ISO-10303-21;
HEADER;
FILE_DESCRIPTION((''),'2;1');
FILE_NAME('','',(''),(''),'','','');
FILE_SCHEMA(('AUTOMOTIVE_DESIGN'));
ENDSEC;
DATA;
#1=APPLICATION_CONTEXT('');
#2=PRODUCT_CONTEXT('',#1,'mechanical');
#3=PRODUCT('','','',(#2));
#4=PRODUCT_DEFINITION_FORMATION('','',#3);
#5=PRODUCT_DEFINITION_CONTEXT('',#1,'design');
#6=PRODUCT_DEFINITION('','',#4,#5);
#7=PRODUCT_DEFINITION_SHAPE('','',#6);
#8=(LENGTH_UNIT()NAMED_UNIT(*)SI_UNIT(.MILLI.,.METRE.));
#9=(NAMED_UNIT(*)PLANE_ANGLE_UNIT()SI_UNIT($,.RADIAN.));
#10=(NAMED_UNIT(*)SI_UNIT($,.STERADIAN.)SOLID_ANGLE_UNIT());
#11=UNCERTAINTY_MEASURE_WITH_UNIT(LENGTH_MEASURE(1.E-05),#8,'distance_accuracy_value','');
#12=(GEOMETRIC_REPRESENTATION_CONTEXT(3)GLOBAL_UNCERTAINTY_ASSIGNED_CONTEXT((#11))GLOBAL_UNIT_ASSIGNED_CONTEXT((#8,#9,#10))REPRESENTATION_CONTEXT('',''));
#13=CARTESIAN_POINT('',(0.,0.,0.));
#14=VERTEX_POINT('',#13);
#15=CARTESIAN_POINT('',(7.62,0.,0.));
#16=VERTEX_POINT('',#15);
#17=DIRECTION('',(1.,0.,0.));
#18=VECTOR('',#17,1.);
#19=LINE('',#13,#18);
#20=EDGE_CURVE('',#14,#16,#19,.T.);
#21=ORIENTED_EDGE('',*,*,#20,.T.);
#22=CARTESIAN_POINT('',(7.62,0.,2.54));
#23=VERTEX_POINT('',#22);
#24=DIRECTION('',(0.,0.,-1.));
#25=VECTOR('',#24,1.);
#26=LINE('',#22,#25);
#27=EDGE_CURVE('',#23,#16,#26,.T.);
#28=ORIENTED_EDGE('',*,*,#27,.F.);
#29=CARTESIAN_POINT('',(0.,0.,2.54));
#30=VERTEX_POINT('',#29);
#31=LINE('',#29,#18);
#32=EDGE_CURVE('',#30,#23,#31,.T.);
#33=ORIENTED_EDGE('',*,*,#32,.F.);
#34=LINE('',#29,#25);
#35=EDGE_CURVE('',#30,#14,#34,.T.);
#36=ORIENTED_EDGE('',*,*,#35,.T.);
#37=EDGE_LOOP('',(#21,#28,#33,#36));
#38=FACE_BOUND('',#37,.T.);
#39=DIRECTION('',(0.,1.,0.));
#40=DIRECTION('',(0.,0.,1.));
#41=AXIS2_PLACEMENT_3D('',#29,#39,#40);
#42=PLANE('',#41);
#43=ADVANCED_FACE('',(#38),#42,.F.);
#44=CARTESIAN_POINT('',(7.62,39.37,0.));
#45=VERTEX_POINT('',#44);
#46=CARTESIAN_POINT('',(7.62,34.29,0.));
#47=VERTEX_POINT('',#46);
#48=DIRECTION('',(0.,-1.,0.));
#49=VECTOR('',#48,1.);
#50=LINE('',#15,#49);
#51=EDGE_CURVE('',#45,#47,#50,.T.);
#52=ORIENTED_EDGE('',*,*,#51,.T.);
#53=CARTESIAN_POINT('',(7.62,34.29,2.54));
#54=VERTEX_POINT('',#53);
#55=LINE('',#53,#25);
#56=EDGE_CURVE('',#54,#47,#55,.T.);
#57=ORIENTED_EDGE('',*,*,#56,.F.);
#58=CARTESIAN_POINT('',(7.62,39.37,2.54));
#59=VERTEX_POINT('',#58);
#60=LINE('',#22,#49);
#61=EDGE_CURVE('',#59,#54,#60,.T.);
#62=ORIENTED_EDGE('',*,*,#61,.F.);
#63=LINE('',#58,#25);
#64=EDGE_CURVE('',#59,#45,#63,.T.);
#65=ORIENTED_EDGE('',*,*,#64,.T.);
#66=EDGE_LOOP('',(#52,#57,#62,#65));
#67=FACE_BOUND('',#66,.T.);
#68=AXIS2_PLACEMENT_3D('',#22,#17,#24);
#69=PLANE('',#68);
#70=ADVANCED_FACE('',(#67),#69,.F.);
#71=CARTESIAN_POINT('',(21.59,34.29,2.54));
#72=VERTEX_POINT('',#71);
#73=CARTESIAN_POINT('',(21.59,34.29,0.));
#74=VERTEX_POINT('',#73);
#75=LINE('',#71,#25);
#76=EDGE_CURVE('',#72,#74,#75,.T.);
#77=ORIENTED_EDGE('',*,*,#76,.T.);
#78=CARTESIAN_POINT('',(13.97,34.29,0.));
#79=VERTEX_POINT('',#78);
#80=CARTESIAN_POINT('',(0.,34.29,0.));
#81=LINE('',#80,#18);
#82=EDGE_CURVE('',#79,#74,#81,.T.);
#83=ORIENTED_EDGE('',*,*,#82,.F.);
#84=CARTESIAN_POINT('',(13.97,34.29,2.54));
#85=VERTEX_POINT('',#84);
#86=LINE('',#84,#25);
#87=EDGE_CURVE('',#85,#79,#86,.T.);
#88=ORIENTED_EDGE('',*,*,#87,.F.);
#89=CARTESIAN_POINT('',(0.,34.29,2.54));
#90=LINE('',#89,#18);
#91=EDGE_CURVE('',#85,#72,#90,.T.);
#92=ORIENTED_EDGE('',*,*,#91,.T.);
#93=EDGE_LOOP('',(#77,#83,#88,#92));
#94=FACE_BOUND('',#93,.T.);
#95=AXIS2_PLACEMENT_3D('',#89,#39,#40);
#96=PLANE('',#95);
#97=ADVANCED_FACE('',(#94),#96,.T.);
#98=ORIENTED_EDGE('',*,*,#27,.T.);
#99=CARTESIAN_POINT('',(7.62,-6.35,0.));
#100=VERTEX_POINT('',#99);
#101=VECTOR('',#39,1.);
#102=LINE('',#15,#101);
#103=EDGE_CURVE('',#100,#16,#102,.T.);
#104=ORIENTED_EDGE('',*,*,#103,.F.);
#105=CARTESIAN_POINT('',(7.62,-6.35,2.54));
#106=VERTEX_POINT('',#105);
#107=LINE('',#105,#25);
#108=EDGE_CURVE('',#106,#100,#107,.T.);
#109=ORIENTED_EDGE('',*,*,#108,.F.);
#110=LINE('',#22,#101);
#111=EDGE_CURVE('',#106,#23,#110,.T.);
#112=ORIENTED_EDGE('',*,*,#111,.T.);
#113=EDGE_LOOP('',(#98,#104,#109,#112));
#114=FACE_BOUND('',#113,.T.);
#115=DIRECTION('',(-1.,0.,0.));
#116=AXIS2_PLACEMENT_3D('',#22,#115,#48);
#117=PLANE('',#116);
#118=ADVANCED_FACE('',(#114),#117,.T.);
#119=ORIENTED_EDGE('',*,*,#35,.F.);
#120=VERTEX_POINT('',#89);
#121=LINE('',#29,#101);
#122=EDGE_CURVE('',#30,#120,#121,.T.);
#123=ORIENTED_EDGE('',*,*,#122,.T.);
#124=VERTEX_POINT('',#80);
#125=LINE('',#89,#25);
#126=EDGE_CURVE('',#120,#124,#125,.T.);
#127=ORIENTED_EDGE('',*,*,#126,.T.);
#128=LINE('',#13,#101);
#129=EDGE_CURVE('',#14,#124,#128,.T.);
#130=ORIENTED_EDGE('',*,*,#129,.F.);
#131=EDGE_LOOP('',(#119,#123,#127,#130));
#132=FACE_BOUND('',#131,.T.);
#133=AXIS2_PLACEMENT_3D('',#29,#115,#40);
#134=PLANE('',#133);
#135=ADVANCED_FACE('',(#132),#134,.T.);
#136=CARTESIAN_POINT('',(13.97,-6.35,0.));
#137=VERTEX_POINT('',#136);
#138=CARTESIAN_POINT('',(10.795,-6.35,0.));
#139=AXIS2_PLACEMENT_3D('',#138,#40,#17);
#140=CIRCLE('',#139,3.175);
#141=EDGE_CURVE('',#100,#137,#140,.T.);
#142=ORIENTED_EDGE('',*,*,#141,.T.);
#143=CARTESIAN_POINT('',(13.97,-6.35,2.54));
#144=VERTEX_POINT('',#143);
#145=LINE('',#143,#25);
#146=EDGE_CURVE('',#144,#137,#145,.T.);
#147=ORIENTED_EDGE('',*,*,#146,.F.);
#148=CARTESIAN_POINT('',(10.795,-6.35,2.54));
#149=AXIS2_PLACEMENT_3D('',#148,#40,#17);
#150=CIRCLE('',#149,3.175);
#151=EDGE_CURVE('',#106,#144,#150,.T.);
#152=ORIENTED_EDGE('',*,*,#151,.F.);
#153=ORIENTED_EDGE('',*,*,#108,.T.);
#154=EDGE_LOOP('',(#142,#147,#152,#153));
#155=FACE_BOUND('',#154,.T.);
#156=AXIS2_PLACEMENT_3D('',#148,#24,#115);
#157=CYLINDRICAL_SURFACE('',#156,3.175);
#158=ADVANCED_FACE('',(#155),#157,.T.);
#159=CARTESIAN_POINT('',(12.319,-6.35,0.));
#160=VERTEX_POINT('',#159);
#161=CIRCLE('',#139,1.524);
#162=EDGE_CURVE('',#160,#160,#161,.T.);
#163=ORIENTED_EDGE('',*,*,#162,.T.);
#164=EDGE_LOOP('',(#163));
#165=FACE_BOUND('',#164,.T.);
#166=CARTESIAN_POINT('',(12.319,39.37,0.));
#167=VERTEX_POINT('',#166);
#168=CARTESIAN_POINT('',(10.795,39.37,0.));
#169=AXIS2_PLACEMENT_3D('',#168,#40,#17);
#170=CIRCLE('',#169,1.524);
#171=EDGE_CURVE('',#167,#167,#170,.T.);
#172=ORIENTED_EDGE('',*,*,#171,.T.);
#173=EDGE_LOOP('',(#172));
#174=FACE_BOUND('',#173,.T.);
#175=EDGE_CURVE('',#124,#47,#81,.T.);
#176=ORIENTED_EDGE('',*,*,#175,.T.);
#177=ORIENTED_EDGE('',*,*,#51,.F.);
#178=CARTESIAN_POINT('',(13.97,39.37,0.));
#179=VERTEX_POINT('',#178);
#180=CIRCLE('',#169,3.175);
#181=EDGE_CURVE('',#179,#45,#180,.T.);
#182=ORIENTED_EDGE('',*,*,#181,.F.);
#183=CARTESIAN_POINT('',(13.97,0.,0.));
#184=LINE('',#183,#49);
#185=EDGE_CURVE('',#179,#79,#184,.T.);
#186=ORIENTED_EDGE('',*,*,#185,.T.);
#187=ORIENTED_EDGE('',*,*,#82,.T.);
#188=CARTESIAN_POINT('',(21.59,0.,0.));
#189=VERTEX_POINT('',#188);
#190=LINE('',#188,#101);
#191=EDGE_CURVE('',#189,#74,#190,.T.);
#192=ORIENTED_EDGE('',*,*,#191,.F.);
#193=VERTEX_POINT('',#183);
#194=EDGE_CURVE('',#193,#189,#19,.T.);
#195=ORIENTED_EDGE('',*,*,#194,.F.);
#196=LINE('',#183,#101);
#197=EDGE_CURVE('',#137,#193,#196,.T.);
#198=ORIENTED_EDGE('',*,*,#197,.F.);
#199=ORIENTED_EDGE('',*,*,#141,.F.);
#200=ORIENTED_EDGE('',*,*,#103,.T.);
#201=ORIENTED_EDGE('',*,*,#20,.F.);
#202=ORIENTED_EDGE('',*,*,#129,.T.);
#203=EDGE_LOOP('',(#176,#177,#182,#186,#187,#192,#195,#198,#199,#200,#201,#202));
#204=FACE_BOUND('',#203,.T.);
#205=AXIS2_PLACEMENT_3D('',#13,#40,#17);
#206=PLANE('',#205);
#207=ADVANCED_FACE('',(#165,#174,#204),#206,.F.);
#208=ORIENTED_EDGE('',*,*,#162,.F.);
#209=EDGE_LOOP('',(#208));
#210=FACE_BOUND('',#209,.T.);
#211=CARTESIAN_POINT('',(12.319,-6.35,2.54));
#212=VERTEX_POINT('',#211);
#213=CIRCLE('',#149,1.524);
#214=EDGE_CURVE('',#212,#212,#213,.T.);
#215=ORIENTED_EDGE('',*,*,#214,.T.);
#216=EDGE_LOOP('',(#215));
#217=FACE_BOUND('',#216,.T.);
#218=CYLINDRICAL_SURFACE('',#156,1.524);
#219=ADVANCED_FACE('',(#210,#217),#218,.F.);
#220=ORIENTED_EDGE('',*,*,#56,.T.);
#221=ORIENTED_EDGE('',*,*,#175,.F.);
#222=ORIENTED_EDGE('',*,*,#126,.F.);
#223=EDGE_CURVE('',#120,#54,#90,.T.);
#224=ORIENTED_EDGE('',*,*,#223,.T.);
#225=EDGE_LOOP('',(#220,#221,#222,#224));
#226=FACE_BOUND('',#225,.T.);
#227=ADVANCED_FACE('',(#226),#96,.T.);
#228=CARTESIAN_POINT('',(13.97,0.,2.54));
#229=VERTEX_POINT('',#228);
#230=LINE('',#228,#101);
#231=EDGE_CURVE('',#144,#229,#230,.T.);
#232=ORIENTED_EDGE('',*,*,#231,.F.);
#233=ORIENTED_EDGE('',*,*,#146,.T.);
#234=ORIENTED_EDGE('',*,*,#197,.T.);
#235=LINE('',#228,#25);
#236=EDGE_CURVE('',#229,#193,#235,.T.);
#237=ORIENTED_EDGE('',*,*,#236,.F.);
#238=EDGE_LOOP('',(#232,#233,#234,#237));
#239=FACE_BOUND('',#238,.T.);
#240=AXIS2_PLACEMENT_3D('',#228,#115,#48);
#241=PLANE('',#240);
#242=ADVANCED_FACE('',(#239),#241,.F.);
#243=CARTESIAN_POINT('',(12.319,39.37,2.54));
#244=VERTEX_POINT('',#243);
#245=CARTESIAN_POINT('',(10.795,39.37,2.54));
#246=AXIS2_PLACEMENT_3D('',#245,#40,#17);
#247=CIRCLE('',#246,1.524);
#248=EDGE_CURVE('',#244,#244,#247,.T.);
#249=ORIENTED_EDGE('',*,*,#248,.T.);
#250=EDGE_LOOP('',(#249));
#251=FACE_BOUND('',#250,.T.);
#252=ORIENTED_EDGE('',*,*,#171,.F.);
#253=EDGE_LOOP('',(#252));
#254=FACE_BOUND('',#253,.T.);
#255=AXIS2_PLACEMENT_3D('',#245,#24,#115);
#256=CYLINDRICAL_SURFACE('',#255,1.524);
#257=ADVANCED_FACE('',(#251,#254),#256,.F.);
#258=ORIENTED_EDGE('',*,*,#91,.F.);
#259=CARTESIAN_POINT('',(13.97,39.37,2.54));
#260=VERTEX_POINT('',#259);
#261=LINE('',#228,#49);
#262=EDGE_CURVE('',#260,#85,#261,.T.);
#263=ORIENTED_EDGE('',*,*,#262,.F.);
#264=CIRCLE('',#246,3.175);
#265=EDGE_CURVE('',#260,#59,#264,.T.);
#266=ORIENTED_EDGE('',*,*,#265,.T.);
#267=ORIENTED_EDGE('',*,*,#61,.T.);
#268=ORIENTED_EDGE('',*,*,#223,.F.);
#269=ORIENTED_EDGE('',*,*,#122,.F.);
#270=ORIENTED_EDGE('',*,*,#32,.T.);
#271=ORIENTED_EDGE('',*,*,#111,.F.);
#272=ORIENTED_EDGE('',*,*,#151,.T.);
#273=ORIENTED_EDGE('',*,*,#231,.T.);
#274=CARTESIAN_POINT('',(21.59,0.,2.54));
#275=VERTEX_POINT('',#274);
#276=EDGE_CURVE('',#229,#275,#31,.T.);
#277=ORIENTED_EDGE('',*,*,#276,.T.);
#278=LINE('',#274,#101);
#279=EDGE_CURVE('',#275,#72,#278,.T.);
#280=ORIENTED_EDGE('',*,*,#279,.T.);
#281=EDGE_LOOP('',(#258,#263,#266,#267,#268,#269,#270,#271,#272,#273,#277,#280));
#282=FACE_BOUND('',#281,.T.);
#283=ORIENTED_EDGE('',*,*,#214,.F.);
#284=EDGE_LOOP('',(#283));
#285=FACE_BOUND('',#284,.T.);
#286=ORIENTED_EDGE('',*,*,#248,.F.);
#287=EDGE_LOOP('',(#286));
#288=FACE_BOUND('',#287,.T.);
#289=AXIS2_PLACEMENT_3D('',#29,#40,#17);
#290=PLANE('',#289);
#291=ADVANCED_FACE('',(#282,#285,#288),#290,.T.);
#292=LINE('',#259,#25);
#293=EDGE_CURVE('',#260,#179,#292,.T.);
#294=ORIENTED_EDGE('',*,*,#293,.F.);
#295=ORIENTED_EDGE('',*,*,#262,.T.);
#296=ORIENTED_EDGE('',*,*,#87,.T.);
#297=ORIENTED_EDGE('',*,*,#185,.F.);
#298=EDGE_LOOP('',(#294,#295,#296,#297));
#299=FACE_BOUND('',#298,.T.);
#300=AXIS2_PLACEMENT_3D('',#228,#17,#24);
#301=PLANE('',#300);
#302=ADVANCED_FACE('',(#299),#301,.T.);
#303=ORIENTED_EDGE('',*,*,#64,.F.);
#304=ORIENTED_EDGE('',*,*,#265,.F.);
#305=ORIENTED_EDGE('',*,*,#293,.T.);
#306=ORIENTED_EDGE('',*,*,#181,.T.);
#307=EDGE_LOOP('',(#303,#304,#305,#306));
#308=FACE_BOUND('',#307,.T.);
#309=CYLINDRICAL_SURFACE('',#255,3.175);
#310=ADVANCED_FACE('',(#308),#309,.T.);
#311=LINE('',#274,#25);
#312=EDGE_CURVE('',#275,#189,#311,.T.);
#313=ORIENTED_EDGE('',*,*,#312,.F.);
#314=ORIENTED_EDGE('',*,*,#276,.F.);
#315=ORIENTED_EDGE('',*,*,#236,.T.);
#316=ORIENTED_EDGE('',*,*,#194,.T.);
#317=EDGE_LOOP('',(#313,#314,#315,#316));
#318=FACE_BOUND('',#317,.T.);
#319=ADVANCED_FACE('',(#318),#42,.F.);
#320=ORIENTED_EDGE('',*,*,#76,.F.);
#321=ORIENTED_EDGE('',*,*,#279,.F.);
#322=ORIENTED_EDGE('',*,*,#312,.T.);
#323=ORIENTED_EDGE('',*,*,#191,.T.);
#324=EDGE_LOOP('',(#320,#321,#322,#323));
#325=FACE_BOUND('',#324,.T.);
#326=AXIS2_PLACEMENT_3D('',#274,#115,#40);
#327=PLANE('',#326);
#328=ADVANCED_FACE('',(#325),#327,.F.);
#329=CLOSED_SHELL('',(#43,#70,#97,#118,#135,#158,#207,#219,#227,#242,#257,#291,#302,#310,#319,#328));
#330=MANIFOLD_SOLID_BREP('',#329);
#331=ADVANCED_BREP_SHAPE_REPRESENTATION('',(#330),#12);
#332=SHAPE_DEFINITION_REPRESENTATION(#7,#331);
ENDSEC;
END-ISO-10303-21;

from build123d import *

# Parameters (mm, degrees)
SKETCH1_R           = 3.175
SKETCH1_R_2         = 1.524
SKETCH1_W           = 21.59
SKETCH1_H           = 34.29
BOSS_EXTRUDE1_DEPTH = 2.54


with BuildPart() as part:
    # Sketch1 → Boss-Extrude1 (new body)
    # profile 1 of 5: a face of its own
    with BuildSketch(Plane.XY):
        with Locations((10.795, 39.37)):
            Circle(SKETCH1_R)
        with Locations((10.795, 39.37)):
            Circle(SKETCH1_R_2, mode=Mode.SUBTRACT)
    # profile 2 of 5: a face of its own
    with BuildSketch(Plane.XY):
        with BuildLine():
            ThreePointArc((13.97, 39.37), (10.795, 36.195), (7.62, 39.37))
            Line((7.62, 39.37), (7.62, 34.29))
            Line((7.62, 34.29), (13.97, 34.29))
            Line((13.97, 34.29), (13.97, 39.37))
        make_face()
    # profile 3 of 5: a face of its own
    with BuildSketch(Plane.XY):
        with Locations((10.795, 17.145)):
            Rectangle(SKETCH1_W, SKETCH1_H)
    # profile 4 of 5: a face of its own
    with BuildSketch(Plane.XY):
        with BuildLine():
            Line((13.97, 0), (7.62, 0))
            Line((7.62, 0), (7.62, -6.35))
            ThreePointArc((7.62, -6.35), (10.795, -3.175), (13.97, -6.35))
            Line((13.97, -6.35), (13.97, 0))
        make_face()
    # profile 5 of 5: a face of its own
    with BuildSketch(Plane.XY):
        with Locations((10.795, -6.35)):
            Circle(SKETCH1_R)
        with Locations((10.795, -6.35)):
            Circle(SKETCH1_R_2, mode=Mode.SUBTRACT)
    extrude(amount=BOSS_EXTRUDE1_DEPTH)


solid = part.part
